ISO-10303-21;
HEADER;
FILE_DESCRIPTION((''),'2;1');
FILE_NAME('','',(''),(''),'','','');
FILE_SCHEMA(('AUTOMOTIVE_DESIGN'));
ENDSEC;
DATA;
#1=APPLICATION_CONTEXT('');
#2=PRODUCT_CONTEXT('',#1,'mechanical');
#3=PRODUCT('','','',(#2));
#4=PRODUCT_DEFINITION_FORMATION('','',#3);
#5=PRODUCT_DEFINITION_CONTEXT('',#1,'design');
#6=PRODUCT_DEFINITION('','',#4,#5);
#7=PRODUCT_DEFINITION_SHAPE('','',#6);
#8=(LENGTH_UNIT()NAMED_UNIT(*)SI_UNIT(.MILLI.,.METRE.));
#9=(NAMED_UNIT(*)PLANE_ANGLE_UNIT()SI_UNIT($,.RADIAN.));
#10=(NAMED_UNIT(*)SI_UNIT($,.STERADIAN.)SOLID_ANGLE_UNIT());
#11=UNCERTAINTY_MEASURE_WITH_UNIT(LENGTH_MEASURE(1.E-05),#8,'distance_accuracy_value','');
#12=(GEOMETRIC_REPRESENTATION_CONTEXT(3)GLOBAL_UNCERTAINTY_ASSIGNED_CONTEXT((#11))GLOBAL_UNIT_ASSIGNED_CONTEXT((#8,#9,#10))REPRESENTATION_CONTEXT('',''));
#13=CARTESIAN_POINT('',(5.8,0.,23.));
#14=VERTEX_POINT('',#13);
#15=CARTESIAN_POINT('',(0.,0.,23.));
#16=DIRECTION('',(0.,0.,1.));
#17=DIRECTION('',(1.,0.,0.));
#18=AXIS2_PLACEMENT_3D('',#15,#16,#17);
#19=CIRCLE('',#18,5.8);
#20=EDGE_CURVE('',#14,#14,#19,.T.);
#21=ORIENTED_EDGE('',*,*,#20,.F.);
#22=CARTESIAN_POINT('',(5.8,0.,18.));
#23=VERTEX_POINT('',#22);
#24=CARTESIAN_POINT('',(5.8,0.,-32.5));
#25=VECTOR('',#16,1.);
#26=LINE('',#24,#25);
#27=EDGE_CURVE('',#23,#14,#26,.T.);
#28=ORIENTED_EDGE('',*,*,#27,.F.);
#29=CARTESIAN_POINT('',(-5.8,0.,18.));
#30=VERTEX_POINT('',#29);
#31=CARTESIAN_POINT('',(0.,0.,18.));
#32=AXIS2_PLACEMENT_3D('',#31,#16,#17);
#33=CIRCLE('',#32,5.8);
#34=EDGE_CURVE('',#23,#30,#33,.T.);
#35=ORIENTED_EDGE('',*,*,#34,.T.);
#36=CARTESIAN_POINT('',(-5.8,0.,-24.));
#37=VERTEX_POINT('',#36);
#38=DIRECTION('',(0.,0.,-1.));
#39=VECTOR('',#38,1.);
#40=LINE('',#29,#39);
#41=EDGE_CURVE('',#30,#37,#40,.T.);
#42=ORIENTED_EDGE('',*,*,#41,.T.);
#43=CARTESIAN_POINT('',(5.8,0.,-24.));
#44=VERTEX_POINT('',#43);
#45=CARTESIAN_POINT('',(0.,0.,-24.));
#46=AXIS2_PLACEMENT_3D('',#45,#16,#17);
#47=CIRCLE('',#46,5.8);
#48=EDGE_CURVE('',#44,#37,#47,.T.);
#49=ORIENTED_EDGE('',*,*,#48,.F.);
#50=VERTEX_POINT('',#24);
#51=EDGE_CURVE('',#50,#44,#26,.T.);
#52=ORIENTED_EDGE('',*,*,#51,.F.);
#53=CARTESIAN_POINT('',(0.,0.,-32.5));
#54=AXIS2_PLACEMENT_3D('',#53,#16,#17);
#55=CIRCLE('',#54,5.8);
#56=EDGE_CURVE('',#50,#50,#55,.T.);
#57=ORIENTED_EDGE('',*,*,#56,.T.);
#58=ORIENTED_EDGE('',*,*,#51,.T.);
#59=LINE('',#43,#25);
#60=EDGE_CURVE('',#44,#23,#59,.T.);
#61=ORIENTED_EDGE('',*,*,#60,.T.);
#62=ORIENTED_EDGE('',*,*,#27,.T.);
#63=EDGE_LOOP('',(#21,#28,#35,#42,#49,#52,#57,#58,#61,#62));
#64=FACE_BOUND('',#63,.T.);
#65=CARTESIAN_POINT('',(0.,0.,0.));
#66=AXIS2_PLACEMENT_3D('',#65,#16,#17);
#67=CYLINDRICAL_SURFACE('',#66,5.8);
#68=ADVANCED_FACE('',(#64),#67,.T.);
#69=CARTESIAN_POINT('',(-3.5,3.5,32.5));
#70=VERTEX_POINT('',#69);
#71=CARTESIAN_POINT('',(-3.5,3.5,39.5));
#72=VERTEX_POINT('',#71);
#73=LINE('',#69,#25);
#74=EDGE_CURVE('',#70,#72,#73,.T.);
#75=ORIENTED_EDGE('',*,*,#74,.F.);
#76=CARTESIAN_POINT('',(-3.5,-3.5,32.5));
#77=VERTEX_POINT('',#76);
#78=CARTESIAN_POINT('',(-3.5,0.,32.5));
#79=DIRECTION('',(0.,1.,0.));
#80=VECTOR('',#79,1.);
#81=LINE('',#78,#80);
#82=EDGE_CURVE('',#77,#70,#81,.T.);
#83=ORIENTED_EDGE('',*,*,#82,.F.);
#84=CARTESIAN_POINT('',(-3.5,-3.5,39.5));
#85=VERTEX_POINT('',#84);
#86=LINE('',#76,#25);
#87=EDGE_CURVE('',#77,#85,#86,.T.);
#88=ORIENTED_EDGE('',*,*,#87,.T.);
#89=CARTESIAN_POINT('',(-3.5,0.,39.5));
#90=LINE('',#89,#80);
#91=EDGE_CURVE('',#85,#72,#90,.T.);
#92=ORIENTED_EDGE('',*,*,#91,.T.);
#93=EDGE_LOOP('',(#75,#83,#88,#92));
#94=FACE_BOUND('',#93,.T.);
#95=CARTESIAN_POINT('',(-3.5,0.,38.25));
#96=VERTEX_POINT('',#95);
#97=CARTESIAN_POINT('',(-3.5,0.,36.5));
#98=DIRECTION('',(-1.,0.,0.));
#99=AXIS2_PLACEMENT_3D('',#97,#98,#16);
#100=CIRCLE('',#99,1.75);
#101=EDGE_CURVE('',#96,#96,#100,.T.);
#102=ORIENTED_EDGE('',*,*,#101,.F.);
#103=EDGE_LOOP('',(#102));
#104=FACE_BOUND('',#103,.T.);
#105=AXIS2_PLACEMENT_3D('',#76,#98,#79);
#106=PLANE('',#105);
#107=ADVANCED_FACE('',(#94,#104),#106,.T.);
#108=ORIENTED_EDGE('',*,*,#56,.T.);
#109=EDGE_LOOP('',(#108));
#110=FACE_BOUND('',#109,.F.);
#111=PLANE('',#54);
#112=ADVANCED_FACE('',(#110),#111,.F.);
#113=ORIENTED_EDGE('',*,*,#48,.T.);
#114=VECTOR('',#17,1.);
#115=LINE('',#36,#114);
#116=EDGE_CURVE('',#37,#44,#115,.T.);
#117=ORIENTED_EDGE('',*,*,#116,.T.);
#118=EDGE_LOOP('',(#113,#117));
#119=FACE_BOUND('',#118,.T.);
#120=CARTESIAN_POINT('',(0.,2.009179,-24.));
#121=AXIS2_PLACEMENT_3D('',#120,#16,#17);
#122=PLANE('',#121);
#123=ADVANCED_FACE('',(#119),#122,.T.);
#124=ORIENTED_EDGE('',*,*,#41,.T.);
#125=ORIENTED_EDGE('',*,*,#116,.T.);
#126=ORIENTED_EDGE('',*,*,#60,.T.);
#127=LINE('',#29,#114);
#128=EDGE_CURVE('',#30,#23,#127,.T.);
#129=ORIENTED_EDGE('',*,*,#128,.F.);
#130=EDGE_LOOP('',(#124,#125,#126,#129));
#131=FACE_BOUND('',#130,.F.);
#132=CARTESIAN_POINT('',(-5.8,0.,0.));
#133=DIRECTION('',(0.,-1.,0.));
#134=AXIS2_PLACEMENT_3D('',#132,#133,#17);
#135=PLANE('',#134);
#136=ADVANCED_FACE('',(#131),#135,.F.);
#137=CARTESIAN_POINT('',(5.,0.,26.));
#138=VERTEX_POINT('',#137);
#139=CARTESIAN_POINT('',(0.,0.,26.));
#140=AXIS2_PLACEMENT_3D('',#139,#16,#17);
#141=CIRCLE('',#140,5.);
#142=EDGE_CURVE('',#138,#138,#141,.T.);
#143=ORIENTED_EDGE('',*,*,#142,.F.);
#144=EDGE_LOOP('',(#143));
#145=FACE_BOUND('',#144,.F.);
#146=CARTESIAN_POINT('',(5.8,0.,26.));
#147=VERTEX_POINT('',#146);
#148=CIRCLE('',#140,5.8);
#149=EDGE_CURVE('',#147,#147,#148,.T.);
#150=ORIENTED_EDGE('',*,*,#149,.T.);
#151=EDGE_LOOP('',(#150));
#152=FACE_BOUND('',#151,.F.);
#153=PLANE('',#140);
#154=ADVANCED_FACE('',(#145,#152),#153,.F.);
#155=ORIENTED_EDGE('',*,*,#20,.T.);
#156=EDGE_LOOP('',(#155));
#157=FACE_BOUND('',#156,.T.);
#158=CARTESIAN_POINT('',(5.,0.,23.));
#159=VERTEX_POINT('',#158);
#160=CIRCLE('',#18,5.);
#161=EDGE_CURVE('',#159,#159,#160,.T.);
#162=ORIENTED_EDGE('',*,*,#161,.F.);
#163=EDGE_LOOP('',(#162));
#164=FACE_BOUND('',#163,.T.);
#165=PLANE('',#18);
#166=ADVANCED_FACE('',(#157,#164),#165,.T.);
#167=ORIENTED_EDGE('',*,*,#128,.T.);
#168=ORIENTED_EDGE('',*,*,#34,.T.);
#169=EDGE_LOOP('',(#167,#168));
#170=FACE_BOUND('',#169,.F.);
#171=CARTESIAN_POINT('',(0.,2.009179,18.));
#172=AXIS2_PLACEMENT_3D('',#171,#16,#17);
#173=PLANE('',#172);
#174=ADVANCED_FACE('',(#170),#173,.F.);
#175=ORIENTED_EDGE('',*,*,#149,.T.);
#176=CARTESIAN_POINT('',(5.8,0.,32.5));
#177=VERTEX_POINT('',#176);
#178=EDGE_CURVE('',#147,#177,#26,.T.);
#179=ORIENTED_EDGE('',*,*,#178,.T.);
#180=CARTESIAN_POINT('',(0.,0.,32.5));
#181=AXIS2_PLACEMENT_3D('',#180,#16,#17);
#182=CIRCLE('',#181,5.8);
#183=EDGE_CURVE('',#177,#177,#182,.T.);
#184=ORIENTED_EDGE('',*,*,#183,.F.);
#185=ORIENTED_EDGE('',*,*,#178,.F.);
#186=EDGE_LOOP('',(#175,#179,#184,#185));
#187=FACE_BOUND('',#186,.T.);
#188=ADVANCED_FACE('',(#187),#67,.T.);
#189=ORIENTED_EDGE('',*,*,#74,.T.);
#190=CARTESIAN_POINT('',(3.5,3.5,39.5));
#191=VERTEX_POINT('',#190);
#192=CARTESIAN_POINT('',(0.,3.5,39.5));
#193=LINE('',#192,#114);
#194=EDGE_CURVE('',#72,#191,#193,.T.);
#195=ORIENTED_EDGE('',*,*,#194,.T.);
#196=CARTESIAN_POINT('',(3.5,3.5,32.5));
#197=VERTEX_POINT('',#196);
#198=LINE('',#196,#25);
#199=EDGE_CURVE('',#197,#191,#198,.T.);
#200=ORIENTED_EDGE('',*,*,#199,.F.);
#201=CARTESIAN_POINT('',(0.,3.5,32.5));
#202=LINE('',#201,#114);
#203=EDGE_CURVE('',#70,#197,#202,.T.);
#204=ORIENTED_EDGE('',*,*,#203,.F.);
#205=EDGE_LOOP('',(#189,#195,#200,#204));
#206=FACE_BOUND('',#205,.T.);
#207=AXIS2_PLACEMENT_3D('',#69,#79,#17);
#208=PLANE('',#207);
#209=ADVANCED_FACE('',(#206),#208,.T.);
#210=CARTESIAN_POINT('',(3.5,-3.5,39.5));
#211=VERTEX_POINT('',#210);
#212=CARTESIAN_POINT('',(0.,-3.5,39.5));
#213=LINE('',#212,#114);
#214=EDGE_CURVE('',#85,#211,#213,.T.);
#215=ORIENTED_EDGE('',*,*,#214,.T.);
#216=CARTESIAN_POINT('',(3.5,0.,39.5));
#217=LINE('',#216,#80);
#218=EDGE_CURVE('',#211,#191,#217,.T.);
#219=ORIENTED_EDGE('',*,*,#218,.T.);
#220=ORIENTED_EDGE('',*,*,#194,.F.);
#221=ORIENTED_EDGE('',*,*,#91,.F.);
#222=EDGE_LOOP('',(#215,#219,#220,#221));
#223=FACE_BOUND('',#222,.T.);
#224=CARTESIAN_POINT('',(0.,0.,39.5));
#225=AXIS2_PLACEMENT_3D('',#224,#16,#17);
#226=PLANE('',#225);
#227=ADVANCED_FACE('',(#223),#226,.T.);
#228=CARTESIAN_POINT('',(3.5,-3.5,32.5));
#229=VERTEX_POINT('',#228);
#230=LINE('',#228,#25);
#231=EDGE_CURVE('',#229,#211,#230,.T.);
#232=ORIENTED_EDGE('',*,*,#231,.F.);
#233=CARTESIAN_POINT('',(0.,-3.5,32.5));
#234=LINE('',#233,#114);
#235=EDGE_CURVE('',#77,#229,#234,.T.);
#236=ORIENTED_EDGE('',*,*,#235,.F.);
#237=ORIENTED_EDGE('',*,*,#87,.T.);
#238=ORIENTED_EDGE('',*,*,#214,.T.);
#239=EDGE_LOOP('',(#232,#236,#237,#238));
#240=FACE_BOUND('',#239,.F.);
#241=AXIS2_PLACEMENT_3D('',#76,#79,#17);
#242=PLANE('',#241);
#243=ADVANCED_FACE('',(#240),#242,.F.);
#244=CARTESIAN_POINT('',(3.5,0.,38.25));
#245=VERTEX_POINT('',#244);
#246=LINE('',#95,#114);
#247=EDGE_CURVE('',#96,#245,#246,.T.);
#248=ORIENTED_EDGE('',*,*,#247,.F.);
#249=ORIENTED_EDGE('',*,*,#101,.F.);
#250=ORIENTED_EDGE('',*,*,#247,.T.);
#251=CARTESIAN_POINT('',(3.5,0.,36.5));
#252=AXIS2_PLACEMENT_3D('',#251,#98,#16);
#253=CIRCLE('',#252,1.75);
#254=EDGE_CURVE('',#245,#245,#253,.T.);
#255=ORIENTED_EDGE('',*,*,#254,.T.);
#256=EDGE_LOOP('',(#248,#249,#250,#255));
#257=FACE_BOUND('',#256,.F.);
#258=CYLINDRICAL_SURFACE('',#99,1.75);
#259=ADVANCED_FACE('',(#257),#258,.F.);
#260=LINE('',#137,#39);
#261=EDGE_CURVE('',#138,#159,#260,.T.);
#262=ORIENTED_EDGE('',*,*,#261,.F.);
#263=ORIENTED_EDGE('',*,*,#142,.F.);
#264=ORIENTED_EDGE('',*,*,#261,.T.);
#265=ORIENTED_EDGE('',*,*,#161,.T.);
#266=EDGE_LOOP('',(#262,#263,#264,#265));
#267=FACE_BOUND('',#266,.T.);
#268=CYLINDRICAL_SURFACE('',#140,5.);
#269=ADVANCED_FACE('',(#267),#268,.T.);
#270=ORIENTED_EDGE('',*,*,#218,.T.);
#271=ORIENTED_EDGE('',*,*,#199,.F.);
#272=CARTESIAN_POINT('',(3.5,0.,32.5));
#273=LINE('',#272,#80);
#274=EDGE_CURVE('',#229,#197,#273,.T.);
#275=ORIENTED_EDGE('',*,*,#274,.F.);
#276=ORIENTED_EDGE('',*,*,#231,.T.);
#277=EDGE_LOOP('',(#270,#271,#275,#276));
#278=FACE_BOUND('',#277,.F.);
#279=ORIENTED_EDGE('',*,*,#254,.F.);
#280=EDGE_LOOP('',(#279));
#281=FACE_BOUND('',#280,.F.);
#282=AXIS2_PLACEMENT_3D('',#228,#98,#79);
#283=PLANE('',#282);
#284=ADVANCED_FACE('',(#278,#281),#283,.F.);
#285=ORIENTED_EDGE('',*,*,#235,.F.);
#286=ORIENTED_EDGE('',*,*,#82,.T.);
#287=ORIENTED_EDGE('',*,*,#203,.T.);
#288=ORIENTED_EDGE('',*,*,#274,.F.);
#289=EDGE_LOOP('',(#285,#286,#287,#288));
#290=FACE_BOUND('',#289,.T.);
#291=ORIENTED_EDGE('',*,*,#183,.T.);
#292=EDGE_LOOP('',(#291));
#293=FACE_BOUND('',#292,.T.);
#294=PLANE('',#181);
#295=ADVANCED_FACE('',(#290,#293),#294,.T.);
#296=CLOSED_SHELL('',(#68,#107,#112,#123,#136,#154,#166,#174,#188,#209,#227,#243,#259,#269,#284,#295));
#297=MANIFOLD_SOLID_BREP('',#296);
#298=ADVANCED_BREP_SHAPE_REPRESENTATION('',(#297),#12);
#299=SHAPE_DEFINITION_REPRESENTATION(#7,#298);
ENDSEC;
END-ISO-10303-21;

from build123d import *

# Parameters (mm, degrees)
CROQUIS1_R                   = 5.8
SALIENTE_EXTRUIR1_DEPTH      = 32.5
CORTAR_EXTRUIR1_DEPTH        = 24
CORTAR_EXTRUIR_L_MINA1_START = -6.5
CROQUIS3_R                   = 5.8
CROQUIS3_R_2                 = 5
CORTAR_EXTRUIR_L_MINA1_DEPTH = 3
CROQUIS4_W                   = 7
CROQUIS4_H                   = 7
SALIENTE_EXTRUIR2_DEPTH      = 7
CROQUIS6_R                   = 1.75
CORTAR_EXTRUIR3_DEPTH        = 41.992438327
CORTAR_EXTRUIR4_START        = 18
CORTAR_EXTRUIR4_DEPTH        = 18


with BuildPart() as part:
    # Croquis1 → Saliente-Extruir1 (new, symmetric)
    with BuildSketch(Plane.XY):
        Circle(CROQUIS1_R)
    extrude(amount=SALIENTE_EXTRUIR1_DEPTH, both=True)

    # Croquis2 → Cortar-Extruir1 (cut)
    with BuildSketch(Plane.XY):
        with BuildLine():
            Line((-5.8, 0), (5.8, 0))
            ThreePointArc((5.8, 0), (0, 5.8), (-5.8, 0))
        make_face()
    extrude(amount=-CORTAR_EXTRUIR1_DEPTH, mode=Mode.SUBTRACT)

    # Croquis3 → Cortar-Extruir-Lámina1 (cut)
    with BuildSketch(Plane.XY.offset(32.5).offset(CORTAR_EXTRUIR_L_MINA1_START)):
        Circle(CROQUIS3_R)
        Circle(CROQUIS3_R_2, mode=Mode.SUBTRACT)
    extrude(amount=-CORTAR_EXTRUIR_L_MINA1_DEPTH, mode=Mode.SUBTRACT)

    # Croquis4 → Saliente-Extruir2 (add)
    with BuildSketch(Plane.XY.offset(32.5)):
        Rectangle(CROQUIS4_W, CROQUIS4_H)
    extrude(amount=SALIENTE_EXTRUIR2_DEPTH)

    # Croquis6 → Cortar-Extruir3 (cut, through all)
    with BuildSketch(Plane.ZY.offset(3.5)):
        with Locations((36.5, 0)):
            Circle(CROQUIS6_R)
    extrude(amount=-CORTAR_EXTRUIR3_DEPTH, mode=Mode.SUBTRACT)

    # Croquis2<2> → Cortar-Extruir4 (cut)
    with BuildSketch(Plane.XY.offset(CORTAR_EXTRUIR4_START)):
        with BuildLine():
            Line((-5.8, 0), (5.8, 0))
            ThreePointArc((5.8, 0), (0, 5.8), (-5.8, 0))
        make_face()
    extrude(amount=-CORTAR_EXTRUIR4_DEPTH, mode=Mode.SUBTRACT)


solid = part.part
